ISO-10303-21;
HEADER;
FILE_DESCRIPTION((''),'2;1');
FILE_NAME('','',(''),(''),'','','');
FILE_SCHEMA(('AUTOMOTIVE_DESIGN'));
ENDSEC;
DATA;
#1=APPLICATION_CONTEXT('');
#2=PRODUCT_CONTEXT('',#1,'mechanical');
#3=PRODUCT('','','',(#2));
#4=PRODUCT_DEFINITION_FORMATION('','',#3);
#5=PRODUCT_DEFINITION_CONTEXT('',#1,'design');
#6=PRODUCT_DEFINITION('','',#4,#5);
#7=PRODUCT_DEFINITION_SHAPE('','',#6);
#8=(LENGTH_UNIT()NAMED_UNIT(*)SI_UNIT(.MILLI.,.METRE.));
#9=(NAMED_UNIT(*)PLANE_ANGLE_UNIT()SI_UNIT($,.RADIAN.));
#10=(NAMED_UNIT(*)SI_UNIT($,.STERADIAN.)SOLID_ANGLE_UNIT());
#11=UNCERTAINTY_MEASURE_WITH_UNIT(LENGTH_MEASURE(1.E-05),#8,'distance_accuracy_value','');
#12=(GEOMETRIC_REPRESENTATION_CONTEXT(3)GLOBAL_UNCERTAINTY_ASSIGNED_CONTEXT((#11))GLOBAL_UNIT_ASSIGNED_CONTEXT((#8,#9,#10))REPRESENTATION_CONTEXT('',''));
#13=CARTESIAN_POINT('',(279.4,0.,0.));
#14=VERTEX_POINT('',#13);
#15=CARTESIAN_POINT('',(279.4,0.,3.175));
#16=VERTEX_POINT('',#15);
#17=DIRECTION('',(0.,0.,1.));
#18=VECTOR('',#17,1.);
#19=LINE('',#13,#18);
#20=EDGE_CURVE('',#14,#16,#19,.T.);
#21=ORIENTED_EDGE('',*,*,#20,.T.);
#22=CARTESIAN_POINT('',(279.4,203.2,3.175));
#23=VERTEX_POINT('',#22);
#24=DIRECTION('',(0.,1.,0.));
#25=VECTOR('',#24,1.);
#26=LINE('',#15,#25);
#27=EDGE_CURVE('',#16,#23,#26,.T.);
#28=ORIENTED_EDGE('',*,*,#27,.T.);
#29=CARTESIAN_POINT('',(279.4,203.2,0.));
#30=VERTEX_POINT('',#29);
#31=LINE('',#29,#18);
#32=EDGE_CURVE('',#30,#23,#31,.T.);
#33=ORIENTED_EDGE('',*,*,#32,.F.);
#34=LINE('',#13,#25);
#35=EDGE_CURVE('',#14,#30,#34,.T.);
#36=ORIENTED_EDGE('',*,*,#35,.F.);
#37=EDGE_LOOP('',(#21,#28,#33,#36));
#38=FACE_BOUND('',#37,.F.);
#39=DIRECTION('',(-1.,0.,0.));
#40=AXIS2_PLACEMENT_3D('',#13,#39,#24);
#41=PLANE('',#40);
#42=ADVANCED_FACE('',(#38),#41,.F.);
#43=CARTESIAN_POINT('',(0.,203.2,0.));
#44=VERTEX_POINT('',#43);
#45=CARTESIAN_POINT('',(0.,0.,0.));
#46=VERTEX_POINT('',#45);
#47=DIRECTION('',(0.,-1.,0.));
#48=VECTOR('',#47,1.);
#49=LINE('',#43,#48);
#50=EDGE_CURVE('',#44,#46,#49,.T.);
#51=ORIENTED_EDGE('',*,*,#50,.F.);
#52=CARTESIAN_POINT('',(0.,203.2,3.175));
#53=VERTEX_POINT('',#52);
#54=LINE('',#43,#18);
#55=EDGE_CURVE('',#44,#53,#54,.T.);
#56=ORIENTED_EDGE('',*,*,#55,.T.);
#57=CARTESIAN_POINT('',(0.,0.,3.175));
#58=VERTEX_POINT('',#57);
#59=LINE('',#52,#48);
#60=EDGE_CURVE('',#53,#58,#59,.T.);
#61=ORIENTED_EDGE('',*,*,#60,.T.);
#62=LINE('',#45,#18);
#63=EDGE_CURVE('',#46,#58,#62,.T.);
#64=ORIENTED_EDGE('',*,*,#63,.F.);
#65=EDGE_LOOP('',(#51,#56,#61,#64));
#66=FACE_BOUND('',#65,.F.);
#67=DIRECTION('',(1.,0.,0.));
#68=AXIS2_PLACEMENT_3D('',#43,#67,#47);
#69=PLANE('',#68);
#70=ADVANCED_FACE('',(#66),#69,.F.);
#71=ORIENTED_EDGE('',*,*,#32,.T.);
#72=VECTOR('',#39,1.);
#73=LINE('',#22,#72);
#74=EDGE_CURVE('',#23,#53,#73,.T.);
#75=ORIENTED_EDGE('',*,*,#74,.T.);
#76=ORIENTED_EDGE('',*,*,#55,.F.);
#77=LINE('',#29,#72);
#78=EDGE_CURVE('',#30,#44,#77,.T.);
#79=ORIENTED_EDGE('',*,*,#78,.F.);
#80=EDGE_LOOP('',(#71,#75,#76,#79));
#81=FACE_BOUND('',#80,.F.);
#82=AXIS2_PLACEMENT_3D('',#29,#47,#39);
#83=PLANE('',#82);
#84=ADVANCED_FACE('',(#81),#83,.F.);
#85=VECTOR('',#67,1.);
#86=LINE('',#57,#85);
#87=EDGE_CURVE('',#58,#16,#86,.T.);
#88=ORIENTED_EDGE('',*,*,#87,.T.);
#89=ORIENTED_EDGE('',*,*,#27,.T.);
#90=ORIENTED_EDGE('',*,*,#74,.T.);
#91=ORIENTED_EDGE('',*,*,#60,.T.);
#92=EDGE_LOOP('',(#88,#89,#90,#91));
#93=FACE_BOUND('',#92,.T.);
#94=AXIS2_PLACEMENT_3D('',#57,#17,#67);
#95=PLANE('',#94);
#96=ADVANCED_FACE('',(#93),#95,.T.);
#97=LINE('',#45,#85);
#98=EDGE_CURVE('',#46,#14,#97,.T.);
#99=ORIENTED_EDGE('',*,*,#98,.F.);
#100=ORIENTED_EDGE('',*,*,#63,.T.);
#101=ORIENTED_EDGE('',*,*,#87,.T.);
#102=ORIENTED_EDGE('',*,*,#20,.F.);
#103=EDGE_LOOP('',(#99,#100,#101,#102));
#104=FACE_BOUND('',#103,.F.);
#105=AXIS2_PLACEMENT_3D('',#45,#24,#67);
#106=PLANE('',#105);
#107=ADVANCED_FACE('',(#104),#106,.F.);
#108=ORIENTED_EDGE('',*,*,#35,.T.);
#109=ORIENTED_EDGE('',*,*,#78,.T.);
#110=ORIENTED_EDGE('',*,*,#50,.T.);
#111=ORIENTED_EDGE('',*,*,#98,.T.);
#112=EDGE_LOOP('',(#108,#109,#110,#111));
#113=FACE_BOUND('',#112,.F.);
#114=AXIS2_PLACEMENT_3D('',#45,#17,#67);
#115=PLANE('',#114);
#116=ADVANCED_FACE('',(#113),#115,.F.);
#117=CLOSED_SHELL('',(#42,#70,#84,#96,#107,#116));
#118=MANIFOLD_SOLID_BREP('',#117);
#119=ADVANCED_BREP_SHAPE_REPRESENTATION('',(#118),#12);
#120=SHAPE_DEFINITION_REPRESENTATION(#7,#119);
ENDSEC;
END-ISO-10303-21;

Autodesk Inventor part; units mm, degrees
ref_plane "YZ Plane" through (0, 0, 0) normal (1, 0, 0) x (0, 1, 0)
ref_plane "XZ Plane" through (0, 0, 0) normal (0, 1, 0) x (-1, 0, 0)
ref_plane "XY Plane" through (0, 0, 0) normal (0, 0, 1) x (1, 0, 0)
sketch "Sketch1" plane through (0, 0, 0) normal (0, 0, 1) x (1, 0, 0)
  line L0 (0, 0) -> (279.4, 0)
  line L1 (279.4, 0) -> (279.4, 203.2)
  line L2 (279.4, 203.2) -> (0, 203.2)
  line L3 (0, 203.2) -> (0, 0)
  dimension "d0" = 279.4
  dimension "d1" = 203.2
extrude "Extrusion1" add sketch "Sketch1" along normal blind 3.175
sketch "Sketch2" plane through (0, 0, 3.175) normal (0, 0, 1) x (1, 0, 0)
  circle A0 centre (38.1, 38.1) radius 38.1
  line L0 (0, 203.2) -> (0, 0) projected
  line L1 (0, 0) -> (279.4, 0) projected
  circle A1 centre (241.3, 38.1) radius 38.1
  line L2 (279.4, 0) -> (279.4, 203.2) projected
  circle A2 centre (241.3, 165.1) radius 38.1
  line L3 (279.4, 203.2) -> (0, 203.2) projected
  circle A3 centre (38.1, 165.1) radius 38.1
  circle A4 centre (135.9077, 163.1391) radius 38.1
  circle A5 centre (83.1523, 101.6) radius 38.1
  circle A6 centre (193.9386, 101.6) radius 38.1
  circle A7 centre (136.9992, 39.9825) radius 38.1
  dimension "d4" = 76.2
  dimension "d5" = 76.2
  dimension "d6" = 76.2
  dimension "d7" = 76.2
  dimension "d8" = 76.2
  dimension "d9" = 76.2
  dimension "d10" = 76.2
  dimension "d11" = 76.2
properties part number "Proof of How many circles can fit in a cardboard box"
